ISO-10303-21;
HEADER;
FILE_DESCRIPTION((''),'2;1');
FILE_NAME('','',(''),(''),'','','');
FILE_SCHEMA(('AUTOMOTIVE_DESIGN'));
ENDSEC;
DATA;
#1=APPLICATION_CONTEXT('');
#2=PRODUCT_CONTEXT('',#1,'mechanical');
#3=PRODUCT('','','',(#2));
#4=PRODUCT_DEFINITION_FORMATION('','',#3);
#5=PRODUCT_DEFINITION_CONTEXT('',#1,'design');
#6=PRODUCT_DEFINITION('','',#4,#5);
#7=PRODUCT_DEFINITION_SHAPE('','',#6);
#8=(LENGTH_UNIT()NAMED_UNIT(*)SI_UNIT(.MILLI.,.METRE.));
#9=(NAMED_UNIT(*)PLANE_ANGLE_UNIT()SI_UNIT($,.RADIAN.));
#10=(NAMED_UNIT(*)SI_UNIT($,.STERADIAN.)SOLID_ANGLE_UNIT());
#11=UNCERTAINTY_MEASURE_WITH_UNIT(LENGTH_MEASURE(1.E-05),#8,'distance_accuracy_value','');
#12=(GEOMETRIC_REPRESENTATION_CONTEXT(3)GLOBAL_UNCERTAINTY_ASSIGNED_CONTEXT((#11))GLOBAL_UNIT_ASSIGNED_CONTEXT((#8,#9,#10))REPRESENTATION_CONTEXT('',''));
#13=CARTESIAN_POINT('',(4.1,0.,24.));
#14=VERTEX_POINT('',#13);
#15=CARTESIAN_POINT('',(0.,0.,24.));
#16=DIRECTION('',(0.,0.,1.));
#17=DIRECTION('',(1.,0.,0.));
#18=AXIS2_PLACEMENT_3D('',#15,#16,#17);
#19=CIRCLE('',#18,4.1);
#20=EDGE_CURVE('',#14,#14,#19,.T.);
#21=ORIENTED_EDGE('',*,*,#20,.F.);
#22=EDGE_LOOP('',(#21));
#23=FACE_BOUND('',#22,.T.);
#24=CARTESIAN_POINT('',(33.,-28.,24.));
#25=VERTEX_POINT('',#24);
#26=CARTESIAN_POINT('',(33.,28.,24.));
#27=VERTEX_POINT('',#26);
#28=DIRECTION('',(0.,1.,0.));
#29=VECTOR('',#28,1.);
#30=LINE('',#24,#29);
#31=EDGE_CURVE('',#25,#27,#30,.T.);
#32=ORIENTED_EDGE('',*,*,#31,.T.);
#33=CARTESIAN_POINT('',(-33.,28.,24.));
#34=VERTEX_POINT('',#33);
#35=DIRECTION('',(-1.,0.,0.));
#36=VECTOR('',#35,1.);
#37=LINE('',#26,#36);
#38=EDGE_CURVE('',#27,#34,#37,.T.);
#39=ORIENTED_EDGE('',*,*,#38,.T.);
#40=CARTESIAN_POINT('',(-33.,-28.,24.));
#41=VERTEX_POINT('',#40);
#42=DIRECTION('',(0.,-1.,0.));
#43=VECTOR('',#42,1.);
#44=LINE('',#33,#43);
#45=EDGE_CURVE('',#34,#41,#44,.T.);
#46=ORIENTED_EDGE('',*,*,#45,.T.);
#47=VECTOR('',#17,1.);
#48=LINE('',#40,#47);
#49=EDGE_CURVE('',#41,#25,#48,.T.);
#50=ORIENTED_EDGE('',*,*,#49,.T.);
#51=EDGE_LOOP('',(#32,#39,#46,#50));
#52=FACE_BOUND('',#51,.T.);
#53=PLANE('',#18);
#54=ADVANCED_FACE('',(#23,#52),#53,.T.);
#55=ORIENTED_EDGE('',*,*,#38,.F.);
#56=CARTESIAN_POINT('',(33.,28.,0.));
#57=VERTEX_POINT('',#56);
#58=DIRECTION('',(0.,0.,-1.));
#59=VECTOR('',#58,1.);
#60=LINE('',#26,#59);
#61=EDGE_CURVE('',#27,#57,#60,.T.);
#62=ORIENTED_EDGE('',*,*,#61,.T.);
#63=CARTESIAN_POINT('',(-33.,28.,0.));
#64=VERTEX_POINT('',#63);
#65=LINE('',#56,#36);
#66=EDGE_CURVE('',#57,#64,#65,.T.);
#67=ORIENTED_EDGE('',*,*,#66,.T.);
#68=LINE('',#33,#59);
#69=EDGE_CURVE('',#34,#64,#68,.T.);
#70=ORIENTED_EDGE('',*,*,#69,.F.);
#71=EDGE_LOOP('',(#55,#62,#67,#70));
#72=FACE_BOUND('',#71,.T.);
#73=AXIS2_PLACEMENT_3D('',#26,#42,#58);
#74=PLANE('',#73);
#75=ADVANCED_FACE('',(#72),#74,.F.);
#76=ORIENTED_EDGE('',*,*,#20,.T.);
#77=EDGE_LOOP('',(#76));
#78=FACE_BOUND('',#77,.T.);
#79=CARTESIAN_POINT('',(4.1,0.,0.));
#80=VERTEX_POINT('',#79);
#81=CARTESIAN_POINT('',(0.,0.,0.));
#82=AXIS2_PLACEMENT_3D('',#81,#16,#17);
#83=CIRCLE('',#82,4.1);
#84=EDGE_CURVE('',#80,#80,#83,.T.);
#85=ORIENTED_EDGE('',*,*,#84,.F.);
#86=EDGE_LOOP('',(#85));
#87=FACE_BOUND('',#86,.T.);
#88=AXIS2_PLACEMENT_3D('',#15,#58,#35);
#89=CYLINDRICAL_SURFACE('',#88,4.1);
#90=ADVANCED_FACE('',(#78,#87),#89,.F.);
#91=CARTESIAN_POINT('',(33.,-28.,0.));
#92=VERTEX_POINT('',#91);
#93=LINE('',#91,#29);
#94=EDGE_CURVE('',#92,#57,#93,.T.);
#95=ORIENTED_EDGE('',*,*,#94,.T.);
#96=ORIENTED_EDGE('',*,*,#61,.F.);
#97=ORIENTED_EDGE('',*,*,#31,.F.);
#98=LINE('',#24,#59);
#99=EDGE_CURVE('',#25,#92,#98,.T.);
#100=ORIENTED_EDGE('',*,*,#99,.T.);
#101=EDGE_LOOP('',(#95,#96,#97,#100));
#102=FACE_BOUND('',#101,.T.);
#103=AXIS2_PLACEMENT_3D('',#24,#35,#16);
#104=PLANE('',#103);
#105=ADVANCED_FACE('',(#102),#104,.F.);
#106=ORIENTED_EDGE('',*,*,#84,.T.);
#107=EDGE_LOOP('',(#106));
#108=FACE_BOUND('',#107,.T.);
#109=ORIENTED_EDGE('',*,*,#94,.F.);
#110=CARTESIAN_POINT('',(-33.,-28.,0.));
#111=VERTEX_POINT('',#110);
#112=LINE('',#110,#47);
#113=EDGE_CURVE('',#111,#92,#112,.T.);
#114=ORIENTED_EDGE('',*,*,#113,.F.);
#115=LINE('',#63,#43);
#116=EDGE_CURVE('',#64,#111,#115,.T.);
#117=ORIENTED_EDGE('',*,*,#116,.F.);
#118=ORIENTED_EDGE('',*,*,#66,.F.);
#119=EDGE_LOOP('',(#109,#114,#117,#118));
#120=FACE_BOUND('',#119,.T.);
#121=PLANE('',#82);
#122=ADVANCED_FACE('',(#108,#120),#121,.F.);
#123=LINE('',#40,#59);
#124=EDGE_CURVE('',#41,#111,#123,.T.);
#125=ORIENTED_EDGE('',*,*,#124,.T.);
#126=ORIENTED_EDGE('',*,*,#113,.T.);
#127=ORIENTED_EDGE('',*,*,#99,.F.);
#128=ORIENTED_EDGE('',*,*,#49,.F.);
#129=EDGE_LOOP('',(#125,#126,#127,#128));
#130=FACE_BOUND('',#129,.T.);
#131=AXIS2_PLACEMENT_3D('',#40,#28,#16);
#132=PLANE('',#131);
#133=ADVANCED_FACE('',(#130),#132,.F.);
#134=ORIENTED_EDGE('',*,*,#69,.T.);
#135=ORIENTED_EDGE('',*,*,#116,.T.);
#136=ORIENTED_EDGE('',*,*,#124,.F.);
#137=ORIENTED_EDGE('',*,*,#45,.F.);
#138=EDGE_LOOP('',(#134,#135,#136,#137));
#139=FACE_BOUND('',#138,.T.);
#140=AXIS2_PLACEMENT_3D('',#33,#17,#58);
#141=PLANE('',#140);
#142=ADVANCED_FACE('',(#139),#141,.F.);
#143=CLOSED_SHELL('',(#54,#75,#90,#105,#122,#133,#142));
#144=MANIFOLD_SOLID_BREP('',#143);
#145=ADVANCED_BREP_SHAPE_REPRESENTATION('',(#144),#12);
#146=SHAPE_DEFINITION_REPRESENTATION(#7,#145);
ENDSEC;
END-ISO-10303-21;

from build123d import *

# Parameters (mm, degrees)
SKETCH_1_W      = 66
SKETCH_1_H      = 56
SKETCH_1_R      = 4.1
EXTRUDE_1_DEPTH = 24


with BuildPart() as part:
    # 草图1 → 凸台-拉伸1 (new body)
    with BuildSketch(Plane.XY):
        Rectangle(SKETCH_1_W, SKETCH_1_H)
        Circle(SKETCH_1_R, mode=Mode.SUBTRACT)
    extrude(amount=EXTRUDE_1_DEPTH)


solid = part.part
